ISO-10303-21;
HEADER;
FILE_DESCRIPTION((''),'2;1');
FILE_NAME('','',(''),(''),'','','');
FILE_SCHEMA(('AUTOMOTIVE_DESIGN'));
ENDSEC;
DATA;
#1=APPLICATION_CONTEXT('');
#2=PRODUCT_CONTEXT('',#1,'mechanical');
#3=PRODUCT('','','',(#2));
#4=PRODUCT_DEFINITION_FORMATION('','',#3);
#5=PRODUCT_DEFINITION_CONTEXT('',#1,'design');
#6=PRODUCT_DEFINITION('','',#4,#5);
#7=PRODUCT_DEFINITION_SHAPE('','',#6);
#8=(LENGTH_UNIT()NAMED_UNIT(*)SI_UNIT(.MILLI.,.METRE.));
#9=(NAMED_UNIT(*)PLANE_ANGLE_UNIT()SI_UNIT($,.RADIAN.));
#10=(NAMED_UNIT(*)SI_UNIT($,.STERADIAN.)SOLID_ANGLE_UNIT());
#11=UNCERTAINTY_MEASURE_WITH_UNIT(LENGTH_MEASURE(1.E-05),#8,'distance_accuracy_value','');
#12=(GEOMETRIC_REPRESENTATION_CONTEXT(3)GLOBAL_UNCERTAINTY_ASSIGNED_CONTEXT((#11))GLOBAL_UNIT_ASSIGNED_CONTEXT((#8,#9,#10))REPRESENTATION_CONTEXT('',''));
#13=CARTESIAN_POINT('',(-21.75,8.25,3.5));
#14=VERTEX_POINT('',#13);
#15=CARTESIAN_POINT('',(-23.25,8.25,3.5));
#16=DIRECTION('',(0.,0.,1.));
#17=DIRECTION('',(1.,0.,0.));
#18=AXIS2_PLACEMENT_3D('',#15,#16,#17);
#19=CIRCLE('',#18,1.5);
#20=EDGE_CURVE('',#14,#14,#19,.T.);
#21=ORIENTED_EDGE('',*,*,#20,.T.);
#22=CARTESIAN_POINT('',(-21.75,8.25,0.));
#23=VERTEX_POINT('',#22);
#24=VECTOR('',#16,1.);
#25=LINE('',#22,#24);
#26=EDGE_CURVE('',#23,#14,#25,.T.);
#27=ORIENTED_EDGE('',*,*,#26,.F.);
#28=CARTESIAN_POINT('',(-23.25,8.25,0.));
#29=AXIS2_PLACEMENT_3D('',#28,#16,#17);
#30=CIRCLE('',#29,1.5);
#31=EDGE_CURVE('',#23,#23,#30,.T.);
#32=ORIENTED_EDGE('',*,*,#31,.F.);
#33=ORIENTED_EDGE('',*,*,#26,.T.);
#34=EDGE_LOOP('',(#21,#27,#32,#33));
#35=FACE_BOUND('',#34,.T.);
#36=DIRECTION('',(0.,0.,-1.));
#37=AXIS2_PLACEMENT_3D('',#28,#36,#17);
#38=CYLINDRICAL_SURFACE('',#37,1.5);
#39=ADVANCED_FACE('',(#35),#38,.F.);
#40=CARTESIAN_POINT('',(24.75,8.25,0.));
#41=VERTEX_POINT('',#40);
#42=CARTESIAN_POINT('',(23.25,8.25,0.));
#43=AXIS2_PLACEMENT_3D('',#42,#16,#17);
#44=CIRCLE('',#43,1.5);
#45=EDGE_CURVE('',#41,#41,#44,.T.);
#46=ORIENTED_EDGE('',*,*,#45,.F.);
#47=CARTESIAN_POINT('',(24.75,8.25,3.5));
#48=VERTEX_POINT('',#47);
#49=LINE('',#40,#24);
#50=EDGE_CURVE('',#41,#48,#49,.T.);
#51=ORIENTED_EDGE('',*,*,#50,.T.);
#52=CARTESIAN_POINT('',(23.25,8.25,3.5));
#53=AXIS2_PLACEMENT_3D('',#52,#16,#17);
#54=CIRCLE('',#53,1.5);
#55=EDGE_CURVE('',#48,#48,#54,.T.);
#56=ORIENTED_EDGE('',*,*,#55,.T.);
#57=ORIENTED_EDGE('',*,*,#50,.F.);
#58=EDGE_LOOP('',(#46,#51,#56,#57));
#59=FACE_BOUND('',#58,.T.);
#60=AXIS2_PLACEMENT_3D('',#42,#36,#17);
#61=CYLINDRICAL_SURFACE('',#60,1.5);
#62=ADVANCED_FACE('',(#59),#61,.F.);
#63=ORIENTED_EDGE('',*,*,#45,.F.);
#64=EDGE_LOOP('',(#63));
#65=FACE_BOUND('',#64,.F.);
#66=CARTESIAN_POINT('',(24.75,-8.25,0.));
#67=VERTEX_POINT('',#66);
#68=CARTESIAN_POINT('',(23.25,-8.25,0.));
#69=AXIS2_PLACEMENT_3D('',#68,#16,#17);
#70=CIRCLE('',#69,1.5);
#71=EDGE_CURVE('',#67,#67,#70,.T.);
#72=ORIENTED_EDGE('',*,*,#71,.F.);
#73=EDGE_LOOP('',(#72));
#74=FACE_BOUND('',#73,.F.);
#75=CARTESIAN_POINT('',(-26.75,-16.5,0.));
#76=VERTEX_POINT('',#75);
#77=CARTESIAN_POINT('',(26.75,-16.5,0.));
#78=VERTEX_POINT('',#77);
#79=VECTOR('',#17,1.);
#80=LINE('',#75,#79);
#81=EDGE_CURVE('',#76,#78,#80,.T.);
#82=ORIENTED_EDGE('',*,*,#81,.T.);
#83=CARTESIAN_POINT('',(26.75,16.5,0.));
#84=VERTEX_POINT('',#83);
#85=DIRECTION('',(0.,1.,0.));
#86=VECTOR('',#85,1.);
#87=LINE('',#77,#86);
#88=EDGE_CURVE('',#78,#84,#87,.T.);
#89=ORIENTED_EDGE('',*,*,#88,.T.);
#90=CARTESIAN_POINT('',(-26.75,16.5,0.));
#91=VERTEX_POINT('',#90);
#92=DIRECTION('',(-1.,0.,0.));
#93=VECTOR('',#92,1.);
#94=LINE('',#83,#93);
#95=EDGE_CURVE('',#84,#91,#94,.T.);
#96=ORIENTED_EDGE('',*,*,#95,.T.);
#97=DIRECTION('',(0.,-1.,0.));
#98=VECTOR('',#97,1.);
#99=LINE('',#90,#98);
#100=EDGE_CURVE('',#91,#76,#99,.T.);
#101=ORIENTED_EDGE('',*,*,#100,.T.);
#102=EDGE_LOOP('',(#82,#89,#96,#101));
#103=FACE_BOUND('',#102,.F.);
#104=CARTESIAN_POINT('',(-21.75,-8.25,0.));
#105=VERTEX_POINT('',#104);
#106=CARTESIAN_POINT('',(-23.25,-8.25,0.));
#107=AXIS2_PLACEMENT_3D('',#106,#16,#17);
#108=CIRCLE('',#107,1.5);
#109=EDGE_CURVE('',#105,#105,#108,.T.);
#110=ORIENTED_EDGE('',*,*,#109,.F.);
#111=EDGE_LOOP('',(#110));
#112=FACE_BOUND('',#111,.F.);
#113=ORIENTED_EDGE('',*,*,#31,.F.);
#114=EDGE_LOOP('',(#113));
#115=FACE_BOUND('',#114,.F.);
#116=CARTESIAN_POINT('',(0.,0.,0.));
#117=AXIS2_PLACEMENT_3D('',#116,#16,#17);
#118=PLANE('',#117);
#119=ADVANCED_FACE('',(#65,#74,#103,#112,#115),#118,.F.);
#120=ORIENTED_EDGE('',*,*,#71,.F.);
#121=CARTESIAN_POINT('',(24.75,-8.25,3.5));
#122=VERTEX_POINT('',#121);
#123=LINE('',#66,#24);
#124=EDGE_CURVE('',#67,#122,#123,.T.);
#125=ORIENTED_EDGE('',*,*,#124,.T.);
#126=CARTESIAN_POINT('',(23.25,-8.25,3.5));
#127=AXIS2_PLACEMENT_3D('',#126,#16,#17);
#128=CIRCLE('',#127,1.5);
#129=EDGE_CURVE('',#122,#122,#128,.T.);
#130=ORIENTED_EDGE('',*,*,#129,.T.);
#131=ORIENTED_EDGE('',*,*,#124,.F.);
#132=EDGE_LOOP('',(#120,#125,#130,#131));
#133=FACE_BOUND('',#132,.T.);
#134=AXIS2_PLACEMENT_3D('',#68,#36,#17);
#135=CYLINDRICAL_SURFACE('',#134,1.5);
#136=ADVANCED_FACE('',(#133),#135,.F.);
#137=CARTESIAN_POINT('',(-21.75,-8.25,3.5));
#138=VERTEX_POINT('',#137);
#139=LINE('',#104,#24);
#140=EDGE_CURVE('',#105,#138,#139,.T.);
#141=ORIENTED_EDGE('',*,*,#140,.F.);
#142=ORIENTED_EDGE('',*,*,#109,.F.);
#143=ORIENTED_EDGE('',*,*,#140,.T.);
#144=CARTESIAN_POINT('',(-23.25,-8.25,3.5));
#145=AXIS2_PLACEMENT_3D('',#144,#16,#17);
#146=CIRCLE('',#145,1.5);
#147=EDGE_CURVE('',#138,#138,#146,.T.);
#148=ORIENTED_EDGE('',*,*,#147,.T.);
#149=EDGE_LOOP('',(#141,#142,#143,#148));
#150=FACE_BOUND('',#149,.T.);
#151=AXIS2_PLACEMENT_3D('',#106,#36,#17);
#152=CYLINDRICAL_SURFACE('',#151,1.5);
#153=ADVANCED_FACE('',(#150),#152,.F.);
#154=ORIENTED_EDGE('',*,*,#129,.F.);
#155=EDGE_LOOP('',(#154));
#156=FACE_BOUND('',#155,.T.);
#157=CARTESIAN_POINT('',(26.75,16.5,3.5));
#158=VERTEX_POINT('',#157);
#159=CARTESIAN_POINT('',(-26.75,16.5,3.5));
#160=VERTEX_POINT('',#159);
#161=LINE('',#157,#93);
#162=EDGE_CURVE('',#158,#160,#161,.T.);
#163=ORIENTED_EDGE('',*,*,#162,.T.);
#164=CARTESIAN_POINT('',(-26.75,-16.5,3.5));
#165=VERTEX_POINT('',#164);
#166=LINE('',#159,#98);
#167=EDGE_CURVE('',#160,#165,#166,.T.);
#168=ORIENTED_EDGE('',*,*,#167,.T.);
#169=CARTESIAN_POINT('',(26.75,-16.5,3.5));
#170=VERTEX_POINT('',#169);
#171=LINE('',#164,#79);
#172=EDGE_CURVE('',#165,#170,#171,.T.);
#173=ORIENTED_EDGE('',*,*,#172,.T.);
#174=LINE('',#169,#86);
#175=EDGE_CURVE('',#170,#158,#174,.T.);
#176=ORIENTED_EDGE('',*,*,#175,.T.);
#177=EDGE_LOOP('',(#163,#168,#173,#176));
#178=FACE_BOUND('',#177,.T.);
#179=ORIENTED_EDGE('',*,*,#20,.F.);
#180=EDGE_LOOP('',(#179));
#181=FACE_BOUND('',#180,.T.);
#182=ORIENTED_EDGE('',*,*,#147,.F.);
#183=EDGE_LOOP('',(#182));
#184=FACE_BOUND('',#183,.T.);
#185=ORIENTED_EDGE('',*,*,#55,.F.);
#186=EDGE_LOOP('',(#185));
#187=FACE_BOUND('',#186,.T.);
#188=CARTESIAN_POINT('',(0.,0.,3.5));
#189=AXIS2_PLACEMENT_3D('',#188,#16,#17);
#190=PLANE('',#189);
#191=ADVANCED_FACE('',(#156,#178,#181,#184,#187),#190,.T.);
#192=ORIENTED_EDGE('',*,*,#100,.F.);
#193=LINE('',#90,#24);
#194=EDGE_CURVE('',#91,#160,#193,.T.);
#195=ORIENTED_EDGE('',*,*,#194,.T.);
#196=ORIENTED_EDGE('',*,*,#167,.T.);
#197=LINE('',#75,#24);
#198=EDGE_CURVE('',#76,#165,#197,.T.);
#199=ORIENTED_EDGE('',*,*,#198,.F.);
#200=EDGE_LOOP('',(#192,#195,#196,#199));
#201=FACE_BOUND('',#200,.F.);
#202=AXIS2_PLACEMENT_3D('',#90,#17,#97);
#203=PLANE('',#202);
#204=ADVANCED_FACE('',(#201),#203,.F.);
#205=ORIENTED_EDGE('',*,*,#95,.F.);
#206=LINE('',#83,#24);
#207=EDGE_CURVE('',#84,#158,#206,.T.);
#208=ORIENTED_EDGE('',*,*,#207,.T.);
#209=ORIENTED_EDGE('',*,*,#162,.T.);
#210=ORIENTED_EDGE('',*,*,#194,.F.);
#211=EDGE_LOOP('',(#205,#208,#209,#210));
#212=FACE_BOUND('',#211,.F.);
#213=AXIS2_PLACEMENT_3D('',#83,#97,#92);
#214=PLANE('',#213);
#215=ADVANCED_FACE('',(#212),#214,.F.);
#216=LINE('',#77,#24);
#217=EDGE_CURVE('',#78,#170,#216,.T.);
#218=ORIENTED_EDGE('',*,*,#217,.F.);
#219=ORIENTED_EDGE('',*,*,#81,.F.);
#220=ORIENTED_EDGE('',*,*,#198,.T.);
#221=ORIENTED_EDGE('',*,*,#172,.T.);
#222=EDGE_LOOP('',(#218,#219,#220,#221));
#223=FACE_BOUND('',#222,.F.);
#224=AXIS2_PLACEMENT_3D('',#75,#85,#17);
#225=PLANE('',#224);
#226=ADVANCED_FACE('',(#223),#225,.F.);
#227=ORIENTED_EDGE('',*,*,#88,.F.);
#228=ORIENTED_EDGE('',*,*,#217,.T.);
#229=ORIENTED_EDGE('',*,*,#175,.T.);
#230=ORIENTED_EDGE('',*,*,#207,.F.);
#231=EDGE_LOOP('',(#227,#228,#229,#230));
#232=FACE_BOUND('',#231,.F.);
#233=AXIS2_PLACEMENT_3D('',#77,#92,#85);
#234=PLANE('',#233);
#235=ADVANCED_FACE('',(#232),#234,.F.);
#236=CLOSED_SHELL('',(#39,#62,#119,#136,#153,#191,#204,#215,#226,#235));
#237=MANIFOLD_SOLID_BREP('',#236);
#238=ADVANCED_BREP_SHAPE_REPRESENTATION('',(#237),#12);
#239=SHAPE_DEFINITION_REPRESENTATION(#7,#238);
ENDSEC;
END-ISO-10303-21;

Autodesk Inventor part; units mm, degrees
ref_plane "YZ Plane" through (0, 0, 0) normal (1, 0, 0) x (0, 1, 0)
ref_plane "XZ Plane" through (0, 0, 0) normal (0, 1, 0) x (-1, 0, 0)
ref_plane "XY Plane" through (0, 0, 0) normal (0, 0, 1) x (1, 0, 0)
sketch "Skizze1" plane through (0, 0, 0) normal (0, 0, 1) x (1, 0, 0)
  line L0 (-37.45, 0) -> (37.45, 0) construction
  line L1 (0, -23.1) -> (0, 23.1) construction
  line L2 (-26.75, -16.5) -> (26.75, -16.5)
  line L3 (26.75, -16.5) -> (26.75, 16.5)
  line L4 (26.75, 16.5) -> (-26.75, 16.5)
  line L5 (-26.75, 16.5) -> (-26.75, -16.5)
  line L6 (-26.75, -16.5) -> (26.75, 16.5) construction
  line L7 (26.75, -16.5) -> (-26.75, 16.5) construction
  circle A0 centre (-23.25, -8.25) radius 1.5
  circle A1 centre (23.25, -8.25) radius 1.5
  circle A2 centre (-23.25, 8.25) radius 1.5
  circle A3 centre (23.25, 8.25) radius 1.5
  point P0 (0, 0)
  dimension "d0" = 53.5
  dimension "d1" = 33
  dimension "d4" = 3
  dimension "d7" = 8.25
  dimension "d8" = 23.25
extrude "Extrusion1" add sketch "Skizze1" along normal blind 3.5
properties part number "LC_mirror_holder_back"
